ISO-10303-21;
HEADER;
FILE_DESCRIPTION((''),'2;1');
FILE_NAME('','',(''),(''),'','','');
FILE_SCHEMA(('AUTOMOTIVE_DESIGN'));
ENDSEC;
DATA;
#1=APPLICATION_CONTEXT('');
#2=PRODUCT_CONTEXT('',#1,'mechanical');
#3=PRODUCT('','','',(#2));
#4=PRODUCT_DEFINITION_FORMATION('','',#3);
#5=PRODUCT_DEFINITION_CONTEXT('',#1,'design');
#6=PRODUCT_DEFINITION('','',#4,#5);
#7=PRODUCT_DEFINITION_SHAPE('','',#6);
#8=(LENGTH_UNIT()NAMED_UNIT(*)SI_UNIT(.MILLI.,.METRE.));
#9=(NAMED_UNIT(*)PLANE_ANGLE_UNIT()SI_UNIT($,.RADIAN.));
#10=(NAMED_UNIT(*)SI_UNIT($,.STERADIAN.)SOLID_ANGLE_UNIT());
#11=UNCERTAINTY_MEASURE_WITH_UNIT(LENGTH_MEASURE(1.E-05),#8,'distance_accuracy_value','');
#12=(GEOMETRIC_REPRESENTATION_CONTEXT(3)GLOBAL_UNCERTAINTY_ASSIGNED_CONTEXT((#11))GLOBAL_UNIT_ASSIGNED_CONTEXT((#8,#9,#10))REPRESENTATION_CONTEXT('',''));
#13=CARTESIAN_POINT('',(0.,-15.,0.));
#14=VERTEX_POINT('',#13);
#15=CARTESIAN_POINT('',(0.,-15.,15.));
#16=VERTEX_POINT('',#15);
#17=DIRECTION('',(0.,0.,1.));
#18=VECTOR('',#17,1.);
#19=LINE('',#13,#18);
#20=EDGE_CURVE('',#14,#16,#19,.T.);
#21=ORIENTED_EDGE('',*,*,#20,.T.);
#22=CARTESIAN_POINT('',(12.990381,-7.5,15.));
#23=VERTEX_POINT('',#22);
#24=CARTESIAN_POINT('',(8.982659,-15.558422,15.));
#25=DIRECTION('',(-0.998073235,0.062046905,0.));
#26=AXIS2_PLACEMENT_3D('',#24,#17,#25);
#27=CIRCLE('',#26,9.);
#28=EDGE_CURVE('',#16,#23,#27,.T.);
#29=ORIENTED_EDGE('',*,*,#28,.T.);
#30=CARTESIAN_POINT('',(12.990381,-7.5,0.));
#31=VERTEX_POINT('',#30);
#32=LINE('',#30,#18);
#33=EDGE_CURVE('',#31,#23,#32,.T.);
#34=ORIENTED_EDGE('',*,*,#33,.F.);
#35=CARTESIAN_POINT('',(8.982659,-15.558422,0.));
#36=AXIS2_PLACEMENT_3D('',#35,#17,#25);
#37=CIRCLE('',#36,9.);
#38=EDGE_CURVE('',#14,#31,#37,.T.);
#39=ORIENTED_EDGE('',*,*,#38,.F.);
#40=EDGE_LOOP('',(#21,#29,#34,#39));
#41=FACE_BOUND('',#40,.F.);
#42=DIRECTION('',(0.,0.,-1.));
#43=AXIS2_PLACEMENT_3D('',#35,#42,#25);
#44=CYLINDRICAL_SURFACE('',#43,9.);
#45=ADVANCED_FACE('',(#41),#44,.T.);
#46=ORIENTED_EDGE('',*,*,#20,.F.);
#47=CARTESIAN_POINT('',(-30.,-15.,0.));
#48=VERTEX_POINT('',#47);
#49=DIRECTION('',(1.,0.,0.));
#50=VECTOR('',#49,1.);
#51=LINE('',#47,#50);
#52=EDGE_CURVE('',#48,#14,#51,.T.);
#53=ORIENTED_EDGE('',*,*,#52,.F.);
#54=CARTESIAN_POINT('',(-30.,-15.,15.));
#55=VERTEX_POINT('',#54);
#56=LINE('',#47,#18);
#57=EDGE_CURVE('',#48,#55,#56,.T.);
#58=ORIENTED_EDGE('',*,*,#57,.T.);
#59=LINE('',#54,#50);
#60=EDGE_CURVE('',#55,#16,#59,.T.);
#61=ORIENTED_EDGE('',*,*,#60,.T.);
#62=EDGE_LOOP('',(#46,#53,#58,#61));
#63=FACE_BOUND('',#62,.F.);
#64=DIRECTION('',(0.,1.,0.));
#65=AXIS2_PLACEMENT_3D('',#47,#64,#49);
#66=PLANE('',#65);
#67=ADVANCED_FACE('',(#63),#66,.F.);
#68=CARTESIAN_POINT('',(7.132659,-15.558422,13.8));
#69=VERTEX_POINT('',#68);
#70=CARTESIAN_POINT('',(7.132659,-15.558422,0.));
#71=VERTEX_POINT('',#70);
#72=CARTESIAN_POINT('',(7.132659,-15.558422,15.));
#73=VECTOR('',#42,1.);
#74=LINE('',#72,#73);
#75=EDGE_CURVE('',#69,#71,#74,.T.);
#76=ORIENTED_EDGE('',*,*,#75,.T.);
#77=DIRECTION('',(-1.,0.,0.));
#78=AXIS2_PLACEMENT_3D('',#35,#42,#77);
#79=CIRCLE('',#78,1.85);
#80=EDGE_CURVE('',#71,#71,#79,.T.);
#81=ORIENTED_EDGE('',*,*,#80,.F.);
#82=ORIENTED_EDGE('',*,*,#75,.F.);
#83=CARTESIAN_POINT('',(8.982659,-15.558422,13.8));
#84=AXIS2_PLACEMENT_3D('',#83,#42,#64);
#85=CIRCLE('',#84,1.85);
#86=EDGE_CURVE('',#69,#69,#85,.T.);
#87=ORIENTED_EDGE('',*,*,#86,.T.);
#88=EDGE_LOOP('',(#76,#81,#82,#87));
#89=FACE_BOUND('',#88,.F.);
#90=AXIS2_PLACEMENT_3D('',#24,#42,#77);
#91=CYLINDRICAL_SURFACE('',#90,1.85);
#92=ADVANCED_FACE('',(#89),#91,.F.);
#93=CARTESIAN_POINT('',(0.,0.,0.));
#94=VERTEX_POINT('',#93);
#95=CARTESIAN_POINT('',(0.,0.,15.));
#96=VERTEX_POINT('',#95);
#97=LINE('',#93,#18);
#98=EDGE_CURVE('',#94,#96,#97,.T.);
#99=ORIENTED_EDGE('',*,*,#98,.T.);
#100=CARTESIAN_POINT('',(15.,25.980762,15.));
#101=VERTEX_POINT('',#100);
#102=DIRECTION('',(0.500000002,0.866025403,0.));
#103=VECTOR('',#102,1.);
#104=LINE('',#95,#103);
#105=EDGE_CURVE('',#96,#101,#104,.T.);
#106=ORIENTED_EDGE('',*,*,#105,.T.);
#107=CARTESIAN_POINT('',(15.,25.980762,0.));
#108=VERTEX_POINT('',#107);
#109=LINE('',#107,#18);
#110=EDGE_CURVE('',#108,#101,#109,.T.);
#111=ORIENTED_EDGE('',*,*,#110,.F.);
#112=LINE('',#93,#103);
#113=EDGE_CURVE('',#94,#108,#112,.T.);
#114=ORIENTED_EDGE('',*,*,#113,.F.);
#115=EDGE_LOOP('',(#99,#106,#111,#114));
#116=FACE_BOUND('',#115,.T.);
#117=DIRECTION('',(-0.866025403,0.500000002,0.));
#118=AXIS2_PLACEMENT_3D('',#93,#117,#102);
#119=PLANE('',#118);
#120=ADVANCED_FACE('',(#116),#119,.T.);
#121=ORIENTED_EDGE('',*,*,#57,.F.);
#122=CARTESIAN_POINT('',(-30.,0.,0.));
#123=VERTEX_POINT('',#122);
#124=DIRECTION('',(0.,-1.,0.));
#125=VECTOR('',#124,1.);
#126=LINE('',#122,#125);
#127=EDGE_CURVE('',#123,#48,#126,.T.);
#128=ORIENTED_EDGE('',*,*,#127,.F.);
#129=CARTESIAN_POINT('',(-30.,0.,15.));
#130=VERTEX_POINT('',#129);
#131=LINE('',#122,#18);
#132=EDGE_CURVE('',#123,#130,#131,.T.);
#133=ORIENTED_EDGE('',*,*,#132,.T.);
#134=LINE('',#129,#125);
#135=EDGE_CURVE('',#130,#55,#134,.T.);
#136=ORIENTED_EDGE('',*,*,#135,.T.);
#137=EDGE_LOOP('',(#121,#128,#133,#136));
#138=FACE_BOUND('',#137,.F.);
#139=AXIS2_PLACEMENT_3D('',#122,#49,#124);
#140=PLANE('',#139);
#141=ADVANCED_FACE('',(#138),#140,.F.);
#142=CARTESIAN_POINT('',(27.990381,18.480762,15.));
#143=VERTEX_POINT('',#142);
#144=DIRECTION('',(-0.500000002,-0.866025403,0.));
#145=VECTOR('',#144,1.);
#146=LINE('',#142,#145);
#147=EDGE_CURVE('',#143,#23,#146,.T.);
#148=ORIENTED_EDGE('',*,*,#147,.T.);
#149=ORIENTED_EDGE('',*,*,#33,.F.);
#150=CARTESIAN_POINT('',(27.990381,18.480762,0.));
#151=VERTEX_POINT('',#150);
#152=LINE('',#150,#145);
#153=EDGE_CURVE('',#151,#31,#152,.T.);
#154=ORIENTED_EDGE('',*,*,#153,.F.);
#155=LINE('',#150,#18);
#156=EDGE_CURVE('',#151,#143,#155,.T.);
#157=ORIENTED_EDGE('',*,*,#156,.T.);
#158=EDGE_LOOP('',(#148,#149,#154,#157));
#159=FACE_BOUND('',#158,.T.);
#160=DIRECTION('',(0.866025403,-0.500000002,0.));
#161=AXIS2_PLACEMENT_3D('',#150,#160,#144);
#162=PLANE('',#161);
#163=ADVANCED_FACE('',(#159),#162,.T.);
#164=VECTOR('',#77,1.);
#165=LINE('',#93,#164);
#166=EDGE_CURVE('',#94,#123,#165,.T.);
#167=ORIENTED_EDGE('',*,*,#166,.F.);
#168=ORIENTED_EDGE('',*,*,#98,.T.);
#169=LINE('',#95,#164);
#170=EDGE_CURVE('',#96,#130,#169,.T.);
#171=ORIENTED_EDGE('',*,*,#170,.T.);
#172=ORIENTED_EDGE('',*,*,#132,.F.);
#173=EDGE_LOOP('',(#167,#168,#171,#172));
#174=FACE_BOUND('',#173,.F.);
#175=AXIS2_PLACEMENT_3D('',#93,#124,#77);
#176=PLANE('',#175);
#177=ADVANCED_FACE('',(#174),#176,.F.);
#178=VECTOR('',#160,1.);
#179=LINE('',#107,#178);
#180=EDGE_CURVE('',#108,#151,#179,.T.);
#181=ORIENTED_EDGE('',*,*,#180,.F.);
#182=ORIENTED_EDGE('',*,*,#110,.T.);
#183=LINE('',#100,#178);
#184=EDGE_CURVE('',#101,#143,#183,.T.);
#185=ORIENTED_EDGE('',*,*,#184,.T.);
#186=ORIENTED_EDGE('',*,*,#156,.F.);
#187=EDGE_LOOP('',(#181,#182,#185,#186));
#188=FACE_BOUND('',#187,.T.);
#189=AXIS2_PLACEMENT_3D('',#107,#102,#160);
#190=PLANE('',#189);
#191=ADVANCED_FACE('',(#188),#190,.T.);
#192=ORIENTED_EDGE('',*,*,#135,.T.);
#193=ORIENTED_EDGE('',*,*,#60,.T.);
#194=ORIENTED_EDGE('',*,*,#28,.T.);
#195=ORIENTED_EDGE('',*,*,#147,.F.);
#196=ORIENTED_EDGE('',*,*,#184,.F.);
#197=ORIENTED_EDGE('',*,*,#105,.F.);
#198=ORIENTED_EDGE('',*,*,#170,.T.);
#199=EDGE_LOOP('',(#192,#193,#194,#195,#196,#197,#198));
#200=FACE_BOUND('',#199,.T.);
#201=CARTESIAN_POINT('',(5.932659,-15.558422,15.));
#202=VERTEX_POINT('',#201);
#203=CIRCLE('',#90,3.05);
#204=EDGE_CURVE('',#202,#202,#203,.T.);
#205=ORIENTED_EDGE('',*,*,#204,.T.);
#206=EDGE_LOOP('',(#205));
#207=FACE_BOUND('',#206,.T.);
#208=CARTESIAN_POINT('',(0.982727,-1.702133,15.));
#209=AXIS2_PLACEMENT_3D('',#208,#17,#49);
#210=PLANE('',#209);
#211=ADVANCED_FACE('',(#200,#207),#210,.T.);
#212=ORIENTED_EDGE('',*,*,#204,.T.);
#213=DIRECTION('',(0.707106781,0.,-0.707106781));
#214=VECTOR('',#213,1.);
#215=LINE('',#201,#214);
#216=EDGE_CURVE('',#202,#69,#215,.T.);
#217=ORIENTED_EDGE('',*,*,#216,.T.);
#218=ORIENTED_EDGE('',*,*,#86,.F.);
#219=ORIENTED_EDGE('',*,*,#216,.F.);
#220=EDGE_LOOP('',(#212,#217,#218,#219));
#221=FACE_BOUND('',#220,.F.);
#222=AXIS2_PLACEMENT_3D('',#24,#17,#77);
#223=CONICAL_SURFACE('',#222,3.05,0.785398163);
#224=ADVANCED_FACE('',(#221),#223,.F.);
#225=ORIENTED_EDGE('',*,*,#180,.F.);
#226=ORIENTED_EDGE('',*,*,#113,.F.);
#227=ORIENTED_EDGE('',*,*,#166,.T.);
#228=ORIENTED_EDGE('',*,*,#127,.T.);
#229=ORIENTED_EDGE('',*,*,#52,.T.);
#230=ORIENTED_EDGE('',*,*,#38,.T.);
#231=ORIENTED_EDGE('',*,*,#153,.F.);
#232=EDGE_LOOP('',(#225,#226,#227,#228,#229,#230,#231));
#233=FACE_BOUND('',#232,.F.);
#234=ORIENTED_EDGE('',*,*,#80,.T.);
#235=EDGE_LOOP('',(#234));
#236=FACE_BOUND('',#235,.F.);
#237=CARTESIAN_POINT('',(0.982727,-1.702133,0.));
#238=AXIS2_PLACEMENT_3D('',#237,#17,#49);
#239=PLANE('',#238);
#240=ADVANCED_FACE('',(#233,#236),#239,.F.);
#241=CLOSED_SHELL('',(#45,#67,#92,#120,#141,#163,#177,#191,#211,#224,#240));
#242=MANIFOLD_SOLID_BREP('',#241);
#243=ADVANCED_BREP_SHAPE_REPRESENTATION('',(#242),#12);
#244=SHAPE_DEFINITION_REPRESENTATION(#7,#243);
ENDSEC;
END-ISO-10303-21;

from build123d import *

# Parameters (mm, degrees)
PAD_DEPTH        = 15
HOLE_D           = 3.7
HOLE_CSINK_D     = 6.1
HOLE_CSINK_ANGLE = 90


with BuildPart() as part:
    # Sketch → Pad (new body)
    with BuildSketch(Plane.XY):
        with BuildLine():
            Line((0, 0), (-30, 0))
            Line((-30, 0), (-30, -15))
            Line((-30, -15), (0, -15))
            ThreePointArc((0, -15), (13.482659, -23.352651), (12.990381, -7.5))
            Line((27.990381, 18.480762), (12.990381, -7.5))
            Line((15, 25.980762), (27.990381, 18.480762))
            Line((0, 0), (15, 25.980762))
        make_face()
    extrude(amount=PAD_DEPTH)

    # Hole (through all)
    with Locations(Plane.XY.offset(15)):
        with Locations((8.982659, -15.558422)):
            CounterSinkHole(HOLE_D / 2, HOLE_CSINK_D / 2, counter_sink_angle=HOLE_CSINK_ANGLE)


solid = part.part
